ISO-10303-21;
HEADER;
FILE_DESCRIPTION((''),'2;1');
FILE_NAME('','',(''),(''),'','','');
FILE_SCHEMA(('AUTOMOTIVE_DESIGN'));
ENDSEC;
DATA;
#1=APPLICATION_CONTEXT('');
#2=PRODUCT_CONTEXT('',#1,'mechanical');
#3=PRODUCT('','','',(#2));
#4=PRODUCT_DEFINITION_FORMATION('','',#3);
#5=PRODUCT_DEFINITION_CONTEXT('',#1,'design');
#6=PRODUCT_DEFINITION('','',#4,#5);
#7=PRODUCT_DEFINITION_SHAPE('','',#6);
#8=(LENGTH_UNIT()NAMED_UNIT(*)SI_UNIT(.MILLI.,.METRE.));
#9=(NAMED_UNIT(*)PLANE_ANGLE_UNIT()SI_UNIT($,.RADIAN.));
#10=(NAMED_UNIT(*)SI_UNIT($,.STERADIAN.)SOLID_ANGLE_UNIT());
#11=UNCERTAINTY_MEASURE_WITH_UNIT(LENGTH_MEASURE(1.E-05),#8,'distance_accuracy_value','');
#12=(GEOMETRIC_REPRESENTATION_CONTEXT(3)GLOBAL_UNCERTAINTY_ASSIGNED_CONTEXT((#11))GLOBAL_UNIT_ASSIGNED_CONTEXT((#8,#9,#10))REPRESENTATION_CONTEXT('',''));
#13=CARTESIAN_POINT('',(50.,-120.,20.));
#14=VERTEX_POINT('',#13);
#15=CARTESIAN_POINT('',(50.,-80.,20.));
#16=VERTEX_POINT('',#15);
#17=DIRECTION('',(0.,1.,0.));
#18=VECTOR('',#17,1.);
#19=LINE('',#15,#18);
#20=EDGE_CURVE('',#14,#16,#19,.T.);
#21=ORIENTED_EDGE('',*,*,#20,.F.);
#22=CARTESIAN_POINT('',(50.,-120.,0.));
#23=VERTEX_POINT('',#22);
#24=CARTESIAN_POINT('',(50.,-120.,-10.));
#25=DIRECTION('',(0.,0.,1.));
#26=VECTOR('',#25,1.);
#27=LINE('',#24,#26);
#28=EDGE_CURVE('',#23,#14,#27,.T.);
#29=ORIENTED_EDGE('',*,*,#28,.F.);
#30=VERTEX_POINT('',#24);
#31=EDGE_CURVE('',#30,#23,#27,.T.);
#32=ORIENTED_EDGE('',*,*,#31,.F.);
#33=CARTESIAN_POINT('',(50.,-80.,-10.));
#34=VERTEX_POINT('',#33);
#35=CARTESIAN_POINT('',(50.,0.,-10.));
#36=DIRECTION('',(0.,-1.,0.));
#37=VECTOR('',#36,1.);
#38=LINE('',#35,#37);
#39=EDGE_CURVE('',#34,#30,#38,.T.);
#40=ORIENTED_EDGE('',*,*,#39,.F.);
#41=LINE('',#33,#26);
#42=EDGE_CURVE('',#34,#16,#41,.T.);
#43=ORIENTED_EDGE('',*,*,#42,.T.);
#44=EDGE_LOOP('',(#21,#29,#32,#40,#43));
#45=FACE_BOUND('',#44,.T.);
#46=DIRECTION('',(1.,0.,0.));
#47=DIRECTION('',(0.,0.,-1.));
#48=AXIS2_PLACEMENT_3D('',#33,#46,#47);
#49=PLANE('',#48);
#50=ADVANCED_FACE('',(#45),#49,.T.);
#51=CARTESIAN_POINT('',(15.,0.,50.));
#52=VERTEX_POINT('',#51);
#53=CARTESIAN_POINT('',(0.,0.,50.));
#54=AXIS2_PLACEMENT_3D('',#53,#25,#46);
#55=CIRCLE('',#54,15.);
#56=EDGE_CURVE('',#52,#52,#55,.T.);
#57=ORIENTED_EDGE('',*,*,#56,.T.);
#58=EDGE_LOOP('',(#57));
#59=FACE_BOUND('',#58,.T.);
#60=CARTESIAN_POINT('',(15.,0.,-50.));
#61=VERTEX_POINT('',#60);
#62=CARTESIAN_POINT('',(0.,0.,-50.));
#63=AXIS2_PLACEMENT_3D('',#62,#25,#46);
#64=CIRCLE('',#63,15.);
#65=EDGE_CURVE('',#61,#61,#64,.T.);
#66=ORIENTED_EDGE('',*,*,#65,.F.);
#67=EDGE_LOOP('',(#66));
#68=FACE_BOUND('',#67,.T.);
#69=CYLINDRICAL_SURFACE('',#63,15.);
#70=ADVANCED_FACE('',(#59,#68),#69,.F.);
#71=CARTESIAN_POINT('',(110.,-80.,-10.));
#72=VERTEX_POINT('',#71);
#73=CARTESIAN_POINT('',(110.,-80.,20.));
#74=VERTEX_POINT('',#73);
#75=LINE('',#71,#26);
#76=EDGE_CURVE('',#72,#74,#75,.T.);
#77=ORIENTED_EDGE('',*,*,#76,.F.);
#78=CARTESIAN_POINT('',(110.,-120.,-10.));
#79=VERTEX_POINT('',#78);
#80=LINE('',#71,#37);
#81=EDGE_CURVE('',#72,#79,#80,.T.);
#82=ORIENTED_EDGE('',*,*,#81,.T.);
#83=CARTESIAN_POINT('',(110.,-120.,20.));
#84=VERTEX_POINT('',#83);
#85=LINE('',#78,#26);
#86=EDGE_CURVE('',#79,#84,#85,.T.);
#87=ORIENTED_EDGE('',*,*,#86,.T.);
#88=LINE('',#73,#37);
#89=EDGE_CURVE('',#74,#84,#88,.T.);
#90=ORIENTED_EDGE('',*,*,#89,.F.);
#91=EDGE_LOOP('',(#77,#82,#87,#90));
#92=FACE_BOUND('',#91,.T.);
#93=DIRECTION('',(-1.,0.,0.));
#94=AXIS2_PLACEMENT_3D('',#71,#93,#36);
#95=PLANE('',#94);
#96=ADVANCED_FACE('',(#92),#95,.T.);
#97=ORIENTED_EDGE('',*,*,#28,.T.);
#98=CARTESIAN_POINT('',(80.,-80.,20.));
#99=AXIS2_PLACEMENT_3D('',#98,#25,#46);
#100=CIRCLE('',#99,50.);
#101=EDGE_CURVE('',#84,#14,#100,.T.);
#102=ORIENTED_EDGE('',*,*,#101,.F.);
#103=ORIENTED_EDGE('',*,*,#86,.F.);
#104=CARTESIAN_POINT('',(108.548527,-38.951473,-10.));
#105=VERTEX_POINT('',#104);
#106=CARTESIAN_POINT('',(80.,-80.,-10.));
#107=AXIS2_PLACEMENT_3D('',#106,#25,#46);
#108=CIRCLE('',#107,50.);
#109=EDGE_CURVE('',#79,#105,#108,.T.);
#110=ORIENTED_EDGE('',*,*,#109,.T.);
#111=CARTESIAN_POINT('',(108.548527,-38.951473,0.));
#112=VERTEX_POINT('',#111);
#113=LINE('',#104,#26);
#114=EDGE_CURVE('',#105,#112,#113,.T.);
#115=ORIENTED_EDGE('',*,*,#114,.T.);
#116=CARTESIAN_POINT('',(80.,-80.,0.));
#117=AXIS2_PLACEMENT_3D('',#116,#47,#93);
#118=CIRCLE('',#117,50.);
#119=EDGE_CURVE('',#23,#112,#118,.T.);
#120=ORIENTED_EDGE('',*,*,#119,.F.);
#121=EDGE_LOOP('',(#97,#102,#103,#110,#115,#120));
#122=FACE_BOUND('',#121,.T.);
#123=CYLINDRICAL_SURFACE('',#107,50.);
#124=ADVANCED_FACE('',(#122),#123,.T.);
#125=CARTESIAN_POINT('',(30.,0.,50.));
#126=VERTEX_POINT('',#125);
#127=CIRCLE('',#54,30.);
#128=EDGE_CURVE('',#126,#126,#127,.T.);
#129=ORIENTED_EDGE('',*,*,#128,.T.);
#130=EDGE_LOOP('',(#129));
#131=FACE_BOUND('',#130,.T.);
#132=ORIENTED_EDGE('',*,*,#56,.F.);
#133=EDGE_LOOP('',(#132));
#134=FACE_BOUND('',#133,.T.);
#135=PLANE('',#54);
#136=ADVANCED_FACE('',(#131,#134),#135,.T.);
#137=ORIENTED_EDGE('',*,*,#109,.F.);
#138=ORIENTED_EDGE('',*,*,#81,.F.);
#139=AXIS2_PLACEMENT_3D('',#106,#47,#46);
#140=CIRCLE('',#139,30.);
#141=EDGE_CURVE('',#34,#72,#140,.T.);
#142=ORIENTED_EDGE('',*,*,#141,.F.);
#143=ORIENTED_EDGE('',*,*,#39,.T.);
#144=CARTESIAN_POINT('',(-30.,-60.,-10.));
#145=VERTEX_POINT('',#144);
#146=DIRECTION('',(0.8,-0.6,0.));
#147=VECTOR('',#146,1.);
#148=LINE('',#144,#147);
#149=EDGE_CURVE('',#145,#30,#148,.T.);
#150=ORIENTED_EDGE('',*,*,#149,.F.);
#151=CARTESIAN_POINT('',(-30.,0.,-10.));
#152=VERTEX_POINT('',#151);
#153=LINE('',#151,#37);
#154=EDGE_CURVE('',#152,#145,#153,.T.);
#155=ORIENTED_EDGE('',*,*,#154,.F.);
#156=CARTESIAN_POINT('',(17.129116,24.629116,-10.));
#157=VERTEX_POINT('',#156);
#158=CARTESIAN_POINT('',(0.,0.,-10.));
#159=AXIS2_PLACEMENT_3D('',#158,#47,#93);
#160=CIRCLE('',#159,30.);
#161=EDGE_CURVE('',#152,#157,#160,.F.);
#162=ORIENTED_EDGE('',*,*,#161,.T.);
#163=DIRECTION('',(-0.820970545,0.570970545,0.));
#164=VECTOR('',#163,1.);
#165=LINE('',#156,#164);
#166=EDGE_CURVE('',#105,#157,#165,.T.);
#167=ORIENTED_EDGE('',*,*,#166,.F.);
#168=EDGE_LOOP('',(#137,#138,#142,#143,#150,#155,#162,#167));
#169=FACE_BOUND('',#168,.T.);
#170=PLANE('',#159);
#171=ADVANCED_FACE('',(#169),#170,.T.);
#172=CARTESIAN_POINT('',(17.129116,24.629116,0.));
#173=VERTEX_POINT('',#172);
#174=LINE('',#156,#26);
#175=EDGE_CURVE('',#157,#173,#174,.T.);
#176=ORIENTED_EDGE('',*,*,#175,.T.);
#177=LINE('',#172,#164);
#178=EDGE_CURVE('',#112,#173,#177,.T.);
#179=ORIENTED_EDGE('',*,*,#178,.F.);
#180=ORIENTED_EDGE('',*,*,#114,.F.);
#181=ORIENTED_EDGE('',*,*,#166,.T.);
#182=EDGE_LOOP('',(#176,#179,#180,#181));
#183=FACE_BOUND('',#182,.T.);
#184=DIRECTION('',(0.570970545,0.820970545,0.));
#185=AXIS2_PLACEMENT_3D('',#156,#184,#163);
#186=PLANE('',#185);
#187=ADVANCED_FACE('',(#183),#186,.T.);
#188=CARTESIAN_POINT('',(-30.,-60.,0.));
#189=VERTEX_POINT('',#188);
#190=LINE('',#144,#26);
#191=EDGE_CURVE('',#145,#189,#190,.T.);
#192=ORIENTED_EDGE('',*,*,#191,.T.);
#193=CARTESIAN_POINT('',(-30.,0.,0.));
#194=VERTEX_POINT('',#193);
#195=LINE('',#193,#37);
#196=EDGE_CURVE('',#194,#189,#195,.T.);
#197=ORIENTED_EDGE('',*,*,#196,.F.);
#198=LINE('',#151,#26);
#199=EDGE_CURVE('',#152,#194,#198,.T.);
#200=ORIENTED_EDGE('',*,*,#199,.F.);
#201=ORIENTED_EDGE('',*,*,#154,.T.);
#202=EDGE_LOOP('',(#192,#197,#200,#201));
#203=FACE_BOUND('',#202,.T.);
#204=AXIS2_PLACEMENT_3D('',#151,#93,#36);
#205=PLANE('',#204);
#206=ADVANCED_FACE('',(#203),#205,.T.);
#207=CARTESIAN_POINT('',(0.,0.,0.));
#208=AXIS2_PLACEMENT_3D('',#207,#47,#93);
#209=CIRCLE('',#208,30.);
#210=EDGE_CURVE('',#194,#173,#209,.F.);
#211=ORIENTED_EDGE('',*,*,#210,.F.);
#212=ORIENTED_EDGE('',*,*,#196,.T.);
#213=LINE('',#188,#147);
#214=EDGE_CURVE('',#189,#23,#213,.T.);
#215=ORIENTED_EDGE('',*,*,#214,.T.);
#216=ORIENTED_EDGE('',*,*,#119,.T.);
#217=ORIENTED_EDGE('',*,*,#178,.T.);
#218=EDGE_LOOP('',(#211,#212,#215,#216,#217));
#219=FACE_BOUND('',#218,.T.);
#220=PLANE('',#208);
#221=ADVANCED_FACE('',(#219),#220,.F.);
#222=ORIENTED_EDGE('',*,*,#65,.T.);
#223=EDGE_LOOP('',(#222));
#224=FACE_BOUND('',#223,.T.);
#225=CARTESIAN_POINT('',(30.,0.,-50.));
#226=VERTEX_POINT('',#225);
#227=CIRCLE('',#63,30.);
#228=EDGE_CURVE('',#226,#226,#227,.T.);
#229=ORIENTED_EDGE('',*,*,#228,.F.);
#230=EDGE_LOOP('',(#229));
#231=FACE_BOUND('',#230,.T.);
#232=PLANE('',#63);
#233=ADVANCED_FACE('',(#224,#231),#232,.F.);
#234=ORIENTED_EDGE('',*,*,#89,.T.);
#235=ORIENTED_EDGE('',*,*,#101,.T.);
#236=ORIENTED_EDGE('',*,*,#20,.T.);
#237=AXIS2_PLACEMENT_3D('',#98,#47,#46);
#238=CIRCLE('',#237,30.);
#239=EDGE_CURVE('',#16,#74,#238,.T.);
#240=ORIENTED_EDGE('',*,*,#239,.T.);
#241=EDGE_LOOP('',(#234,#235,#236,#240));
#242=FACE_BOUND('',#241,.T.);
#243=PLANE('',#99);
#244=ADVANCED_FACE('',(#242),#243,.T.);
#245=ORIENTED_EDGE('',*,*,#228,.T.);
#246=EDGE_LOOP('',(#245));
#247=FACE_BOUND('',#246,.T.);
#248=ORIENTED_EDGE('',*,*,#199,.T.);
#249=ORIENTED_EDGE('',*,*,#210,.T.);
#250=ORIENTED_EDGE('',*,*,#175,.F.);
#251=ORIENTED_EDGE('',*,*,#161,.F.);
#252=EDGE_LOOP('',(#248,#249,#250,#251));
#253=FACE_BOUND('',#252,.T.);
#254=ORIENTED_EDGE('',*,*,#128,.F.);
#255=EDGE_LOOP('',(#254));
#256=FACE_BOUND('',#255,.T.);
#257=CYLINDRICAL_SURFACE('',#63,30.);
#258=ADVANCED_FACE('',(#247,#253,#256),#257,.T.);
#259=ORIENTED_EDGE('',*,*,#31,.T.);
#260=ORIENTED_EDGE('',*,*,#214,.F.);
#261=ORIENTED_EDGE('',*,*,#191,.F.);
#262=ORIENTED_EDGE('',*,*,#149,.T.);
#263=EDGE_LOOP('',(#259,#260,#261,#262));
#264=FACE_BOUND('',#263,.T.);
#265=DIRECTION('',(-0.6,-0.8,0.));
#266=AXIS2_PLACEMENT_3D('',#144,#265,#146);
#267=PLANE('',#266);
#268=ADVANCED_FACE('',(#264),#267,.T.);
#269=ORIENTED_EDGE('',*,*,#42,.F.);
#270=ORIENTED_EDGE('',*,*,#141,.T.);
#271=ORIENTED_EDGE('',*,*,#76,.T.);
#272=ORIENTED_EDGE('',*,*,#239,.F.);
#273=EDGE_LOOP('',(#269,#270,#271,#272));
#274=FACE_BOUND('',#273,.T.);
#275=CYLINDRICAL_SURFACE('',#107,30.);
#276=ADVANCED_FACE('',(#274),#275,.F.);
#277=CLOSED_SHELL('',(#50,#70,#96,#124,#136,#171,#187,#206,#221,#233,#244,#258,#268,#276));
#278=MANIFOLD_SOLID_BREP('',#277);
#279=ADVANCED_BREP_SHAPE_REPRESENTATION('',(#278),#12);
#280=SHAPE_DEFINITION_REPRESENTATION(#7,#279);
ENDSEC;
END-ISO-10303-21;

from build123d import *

# Parameters (mm, degrees)
SKETCH1_R                = 30
SKETCH1_R_2              = 15
BOSS_EXTRUDE1_DEPTH      = 50
BOSS_EXTRUDE1_DEPTH_BACK = 50
BOSS_EXTRUDE2_DEPTH      = 20
BOSS_EXTRUDE2_DEPTH_BACK = 10
BOSS_EXTRUDE3_DEPTH      = 10
SKETCH9_R                = 15
CUT_EXTRUDE1_DEPTH       = 51
CUT_EXTRUDE1_DEPTH_BACK  = 51


with BuildPart() as part:
    # Sketch1 → Boss-Extrude1 (new body, two sides)
    with BuildSketch(Plane.XY) as boss_extrude1_sk:
        Circle(SKETCH1_R)
        Circle(SKETCH1_R_2, mode=Mode.SUBTRACT)
    extrude(amount=BOSS_EXTRUDE1_DEPTH)
    extrude(boss_extrude1_sk.sketch, amount=-BOSS_EXTRUDE1_DEPTH_BACK)



with BuildPart() as body_2:
    # Sketch2 → Boss-Extrude2 (new body, two sides)
    with BuildSketch(Plane.XY) as boss_extrude2_sk:
        with BuildLine():
            Line((110, -80), (110, -120))
            ThreePointArc((110, -120), (80, -30), (50, -120))
            Line((50, -120), (50, -80))
            ThreePointArc((50, -80), (80, -50), (110, -80))
        make_face()
    extrude(amount=BOSS_EXTRUDE2_DEPTH)
    extrude(boss_extrude2_sk.sketch, amount=-BOSS_EXTRUDE2_DEPTH_BACK)


with BuildPart() as part_1:
    add(part.part)

    add(body_2.part)  # Boss-Extrude3 merges body 2
    # Sketch3 → Boss-Extrude3 (add)
    with BuildSketch(Plane.XY):
        Polygon((17.129116361, 24.629116361), (108.548527268, -38.951472732), (50, -120), (-30, -60), (-30, 0), align=None)
    extrude(amount=-BOSS_EXTRUDE3_DEPTH)

    # Sketch9 → Cut-Extrude1 (cut, two sides)
    with BuildSketch(Plane.XY) as cut_extrude1_sk:
        Circle(SKETCH9_R)
        with BuildLine():
            Line((50, -80), (50, -120))
            Line((50, -120), (110, -120))
            Line((110, -120), (110, -80))
            ThreePointArc((110, -80), (80, -50), (50, -80))
        make_face()
    extrude(amount=CUT_EXTRUDE1_DEPTH, mode=Mode.SUBTRACT)
    extrude(cut_extrude1_sk.sketch, amount=-CUT_EXTRUDE1_DEPTH_BACK, mode=Mode.SUBTRACT)


solid = part_1.part
